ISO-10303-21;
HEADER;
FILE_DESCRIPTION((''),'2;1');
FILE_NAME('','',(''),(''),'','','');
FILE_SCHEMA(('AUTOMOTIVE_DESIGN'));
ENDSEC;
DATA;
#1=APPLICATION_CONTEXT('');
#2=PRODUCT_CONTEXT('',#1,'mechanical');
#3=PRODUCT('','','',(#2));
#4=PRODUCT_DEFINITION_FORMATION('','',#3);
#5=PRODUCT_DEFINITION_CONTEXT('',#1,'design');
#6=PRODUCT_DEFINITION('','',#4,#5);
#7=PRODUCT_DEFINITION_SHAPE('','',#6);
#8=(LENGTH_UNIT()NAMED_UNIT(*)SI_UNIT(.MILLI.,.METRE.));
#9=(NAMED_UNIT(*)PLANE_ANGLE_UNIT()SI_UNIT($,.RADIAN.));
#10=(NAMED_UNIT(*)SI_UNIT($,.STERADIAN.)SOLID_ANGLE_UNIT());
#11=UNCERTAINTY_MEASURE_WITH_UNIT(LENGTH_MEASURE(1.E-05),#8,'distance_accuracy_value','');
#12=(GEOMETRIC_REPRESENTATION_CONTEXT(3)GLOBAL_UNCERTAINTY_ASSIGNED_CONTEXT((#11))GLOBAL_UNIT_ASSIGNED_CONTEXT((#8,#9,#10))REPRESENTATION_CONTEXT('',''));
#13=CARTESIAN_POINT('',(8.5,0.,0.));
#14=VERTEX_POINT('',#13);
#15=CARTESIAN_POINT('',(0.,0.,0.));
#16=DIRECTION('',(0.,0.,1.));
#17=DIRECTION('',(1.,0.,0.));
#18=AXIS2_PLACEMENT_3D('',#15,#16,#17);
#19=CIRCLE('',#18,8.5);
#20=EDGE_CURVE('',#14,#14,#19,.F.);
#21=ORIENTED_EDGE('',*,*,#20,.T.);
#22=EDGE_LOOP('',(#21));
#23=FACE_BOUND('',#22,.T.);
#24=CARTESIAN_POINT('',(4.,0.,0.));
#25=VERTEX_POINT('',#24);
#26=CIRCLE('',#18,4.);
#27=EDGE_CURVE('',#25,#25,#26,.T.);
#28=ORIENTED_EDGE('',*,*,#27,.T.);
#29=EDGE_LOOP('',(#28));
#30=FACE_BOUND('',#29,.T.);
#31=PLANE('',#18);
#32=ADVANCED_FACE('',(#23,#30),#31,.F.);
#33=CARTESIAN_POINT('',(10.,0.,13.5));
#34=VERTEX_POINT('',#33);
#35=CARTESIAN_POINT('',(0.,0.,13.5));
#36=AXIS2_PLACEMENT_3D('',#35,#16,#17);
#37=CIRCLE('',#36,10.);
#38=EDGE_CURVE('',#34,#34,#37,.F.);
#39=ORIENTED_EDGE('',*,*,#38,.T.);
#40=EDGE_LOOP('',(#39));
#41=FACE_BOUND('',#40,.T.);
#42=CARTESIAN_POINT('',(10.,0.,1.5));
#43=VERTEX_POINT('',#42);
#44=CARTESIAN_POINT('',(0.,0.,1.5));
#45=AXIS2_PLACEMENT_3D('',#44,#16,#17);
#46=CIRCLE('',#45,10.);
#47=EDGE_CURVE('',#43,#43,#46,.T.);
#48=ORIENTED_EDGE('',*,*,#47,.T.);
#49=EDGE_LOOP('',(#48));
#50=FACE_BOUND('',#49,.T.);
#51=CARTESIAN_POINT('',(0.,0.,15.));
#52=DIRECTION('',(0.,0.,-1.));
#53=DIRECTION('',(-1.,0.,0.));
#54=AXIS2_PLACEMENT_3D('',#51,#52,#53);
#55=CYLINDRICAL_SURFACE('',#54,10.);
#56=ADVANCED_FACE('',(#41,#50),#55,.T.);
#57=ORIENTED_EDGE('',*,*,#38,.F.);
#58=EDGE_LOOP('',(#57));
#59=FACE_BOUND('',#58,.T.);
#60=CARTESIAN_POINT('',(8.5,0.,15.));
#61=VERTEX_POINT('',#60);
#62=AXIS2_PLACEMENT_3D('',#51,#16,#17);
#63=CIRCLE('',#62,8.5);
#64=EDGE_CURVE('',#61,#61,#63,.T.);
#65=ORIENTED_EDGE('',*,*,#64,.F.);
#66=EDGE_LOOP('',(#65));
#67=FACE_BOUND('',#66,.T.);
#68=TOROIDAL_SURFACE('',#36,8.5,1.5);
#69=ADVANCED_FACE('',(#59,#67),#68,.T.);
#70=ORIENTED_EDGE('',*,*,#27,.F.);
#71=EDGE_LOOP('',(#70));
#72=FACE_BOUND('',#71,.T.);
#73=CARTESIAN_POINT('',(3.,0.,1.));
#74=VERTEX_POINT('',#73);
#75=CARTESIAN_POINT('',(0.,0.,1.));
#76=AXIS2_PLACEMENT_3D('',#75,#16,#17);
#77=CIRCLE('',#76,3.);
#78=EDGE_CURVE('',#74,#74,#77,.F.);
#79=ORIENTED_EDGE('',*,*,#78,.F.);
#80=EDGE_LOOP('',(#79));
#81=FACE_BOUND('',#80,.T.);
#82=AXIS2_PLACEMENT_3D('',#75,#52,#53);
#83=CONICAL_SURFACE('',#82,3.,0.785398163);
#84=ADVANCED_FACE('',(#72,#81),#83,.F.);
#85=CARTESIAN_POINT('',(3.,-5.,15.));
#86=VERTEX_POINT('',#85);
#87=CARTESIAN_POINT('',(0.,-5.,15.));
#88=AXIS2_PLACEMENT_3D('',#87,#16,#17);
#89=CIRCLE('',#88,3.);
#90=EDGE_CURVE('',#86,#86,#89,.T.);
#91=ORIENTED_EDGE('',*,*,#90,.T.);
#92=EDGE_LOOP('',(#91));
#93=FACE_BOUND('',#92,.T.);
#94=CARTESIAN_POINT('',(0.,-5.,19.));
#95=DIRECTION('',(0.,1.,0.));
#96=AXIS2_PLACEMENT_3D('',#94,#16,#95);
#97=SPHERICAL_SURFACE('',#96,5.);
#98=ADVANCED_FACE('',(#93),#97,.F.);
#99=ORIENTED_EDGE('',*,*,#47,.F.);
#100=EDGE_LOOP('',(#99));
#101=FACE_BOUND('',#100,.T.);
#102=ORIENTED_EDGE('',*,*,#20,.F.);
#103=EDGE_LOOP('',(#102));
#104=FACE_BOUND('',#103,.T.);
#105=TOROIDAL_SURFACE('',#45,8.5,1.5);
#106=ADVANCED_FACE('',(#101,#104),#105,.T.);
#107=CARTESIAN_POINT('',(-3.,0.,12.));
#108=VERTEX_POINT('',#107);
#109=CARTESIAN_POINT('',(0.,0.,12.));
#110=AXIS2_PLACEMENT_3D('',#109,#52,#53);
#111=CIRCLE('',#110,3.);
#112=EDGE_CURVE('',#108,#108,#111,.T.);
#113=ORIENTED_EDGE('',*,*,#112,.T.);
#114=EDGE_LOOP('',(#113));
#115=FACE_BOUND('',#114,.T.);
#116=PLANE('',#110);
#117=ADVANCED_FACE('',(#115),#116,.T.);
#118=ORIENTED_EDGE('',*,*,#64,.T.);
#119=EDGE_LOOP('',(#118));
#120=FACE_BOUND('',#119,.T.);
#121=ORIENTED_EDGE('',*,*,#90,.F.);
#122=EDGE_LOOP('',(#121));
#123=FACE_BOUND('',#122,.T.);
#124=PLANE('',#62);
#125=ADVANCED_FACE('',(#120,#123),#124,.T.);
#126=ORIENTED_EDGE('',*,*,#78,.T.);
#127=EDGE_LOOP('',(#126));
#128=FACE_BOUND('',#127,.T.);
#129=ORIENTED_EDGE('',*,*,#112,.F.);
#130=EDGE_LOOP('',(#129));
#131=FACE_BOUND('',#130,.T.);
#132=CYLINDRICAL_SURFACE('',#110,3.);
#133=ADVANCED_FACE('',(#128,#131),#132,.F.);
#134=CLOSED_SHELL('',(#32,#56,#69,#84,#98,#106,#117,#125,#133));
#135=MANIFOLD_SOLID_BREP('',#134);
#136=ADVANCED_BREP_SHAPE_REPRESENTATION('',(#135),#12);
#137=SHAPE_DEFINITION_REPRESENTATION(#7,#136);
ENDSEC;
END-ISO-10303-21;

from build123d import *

# Parameters (mm, degrees)
SKETCH1_R           = 10
BOSS_EXTRUDE1_DEPTH = 15
FILLET1_R           = 1.5
SKETCH2_R           = 3
CUT_EXTRUDE1_DEPTH  = 12
CHAMFER1_SIZE       = 1


with BuildPart() as part:
    # Sketch1 → Boss-Extrude1 (new body)
    with BuildSketch(Plane.XY):
        Circle(SKETCH1_R)
    extrude(amount=BOSS_EXTRUDE1_DEPTH)

    # Fillet1
    fillet1_edges = [part.edges().sort_by_distance(p)[0] for p in [
        (-10, 0, 0),
        (-10, 0, 15),
    ]]
    fillet(fillet1_edges, radius=FILLET1_R)

    # Sketch2 → Cut-Extrude1 (cut)
    with BuildSketch(Plane(origin=(0, 0, 0), x_dir=(-1, 0, 0), z_dir=(0, 0, -1))):
        Circle(SKETCH2_R)
    extrude(amount=-CUT_EXTRUDE1_DEPTH, mode=Mode.SUBTRACT)

    # Chamfer1
    chamfer1_edges = [part.edges().sort_by_distance(p)[0] for p in [
        (3, 0, 0),
    ]]
    chamfer(chamfer1_edges, length=CHAMFER1_SIZE)

    # Sketch3 → Cut-Revolve2 (revolve, cut)
    with BuildSketch(Plane(origin=(0, 0, 0), x_dir=(0, 0, -1), z_dir=(1, 0, 0))):
        with BuildLine():
            Line((-24, -5), (-14, -5))
            ThreePointArc((-14, -5), (-19, -10), (-24, -5))
        make_face()
    revolve(axis=Axis((0, -5, 24), (0, 0, -1)), mode=Mode.SUBTRACT)


solid = part.part
